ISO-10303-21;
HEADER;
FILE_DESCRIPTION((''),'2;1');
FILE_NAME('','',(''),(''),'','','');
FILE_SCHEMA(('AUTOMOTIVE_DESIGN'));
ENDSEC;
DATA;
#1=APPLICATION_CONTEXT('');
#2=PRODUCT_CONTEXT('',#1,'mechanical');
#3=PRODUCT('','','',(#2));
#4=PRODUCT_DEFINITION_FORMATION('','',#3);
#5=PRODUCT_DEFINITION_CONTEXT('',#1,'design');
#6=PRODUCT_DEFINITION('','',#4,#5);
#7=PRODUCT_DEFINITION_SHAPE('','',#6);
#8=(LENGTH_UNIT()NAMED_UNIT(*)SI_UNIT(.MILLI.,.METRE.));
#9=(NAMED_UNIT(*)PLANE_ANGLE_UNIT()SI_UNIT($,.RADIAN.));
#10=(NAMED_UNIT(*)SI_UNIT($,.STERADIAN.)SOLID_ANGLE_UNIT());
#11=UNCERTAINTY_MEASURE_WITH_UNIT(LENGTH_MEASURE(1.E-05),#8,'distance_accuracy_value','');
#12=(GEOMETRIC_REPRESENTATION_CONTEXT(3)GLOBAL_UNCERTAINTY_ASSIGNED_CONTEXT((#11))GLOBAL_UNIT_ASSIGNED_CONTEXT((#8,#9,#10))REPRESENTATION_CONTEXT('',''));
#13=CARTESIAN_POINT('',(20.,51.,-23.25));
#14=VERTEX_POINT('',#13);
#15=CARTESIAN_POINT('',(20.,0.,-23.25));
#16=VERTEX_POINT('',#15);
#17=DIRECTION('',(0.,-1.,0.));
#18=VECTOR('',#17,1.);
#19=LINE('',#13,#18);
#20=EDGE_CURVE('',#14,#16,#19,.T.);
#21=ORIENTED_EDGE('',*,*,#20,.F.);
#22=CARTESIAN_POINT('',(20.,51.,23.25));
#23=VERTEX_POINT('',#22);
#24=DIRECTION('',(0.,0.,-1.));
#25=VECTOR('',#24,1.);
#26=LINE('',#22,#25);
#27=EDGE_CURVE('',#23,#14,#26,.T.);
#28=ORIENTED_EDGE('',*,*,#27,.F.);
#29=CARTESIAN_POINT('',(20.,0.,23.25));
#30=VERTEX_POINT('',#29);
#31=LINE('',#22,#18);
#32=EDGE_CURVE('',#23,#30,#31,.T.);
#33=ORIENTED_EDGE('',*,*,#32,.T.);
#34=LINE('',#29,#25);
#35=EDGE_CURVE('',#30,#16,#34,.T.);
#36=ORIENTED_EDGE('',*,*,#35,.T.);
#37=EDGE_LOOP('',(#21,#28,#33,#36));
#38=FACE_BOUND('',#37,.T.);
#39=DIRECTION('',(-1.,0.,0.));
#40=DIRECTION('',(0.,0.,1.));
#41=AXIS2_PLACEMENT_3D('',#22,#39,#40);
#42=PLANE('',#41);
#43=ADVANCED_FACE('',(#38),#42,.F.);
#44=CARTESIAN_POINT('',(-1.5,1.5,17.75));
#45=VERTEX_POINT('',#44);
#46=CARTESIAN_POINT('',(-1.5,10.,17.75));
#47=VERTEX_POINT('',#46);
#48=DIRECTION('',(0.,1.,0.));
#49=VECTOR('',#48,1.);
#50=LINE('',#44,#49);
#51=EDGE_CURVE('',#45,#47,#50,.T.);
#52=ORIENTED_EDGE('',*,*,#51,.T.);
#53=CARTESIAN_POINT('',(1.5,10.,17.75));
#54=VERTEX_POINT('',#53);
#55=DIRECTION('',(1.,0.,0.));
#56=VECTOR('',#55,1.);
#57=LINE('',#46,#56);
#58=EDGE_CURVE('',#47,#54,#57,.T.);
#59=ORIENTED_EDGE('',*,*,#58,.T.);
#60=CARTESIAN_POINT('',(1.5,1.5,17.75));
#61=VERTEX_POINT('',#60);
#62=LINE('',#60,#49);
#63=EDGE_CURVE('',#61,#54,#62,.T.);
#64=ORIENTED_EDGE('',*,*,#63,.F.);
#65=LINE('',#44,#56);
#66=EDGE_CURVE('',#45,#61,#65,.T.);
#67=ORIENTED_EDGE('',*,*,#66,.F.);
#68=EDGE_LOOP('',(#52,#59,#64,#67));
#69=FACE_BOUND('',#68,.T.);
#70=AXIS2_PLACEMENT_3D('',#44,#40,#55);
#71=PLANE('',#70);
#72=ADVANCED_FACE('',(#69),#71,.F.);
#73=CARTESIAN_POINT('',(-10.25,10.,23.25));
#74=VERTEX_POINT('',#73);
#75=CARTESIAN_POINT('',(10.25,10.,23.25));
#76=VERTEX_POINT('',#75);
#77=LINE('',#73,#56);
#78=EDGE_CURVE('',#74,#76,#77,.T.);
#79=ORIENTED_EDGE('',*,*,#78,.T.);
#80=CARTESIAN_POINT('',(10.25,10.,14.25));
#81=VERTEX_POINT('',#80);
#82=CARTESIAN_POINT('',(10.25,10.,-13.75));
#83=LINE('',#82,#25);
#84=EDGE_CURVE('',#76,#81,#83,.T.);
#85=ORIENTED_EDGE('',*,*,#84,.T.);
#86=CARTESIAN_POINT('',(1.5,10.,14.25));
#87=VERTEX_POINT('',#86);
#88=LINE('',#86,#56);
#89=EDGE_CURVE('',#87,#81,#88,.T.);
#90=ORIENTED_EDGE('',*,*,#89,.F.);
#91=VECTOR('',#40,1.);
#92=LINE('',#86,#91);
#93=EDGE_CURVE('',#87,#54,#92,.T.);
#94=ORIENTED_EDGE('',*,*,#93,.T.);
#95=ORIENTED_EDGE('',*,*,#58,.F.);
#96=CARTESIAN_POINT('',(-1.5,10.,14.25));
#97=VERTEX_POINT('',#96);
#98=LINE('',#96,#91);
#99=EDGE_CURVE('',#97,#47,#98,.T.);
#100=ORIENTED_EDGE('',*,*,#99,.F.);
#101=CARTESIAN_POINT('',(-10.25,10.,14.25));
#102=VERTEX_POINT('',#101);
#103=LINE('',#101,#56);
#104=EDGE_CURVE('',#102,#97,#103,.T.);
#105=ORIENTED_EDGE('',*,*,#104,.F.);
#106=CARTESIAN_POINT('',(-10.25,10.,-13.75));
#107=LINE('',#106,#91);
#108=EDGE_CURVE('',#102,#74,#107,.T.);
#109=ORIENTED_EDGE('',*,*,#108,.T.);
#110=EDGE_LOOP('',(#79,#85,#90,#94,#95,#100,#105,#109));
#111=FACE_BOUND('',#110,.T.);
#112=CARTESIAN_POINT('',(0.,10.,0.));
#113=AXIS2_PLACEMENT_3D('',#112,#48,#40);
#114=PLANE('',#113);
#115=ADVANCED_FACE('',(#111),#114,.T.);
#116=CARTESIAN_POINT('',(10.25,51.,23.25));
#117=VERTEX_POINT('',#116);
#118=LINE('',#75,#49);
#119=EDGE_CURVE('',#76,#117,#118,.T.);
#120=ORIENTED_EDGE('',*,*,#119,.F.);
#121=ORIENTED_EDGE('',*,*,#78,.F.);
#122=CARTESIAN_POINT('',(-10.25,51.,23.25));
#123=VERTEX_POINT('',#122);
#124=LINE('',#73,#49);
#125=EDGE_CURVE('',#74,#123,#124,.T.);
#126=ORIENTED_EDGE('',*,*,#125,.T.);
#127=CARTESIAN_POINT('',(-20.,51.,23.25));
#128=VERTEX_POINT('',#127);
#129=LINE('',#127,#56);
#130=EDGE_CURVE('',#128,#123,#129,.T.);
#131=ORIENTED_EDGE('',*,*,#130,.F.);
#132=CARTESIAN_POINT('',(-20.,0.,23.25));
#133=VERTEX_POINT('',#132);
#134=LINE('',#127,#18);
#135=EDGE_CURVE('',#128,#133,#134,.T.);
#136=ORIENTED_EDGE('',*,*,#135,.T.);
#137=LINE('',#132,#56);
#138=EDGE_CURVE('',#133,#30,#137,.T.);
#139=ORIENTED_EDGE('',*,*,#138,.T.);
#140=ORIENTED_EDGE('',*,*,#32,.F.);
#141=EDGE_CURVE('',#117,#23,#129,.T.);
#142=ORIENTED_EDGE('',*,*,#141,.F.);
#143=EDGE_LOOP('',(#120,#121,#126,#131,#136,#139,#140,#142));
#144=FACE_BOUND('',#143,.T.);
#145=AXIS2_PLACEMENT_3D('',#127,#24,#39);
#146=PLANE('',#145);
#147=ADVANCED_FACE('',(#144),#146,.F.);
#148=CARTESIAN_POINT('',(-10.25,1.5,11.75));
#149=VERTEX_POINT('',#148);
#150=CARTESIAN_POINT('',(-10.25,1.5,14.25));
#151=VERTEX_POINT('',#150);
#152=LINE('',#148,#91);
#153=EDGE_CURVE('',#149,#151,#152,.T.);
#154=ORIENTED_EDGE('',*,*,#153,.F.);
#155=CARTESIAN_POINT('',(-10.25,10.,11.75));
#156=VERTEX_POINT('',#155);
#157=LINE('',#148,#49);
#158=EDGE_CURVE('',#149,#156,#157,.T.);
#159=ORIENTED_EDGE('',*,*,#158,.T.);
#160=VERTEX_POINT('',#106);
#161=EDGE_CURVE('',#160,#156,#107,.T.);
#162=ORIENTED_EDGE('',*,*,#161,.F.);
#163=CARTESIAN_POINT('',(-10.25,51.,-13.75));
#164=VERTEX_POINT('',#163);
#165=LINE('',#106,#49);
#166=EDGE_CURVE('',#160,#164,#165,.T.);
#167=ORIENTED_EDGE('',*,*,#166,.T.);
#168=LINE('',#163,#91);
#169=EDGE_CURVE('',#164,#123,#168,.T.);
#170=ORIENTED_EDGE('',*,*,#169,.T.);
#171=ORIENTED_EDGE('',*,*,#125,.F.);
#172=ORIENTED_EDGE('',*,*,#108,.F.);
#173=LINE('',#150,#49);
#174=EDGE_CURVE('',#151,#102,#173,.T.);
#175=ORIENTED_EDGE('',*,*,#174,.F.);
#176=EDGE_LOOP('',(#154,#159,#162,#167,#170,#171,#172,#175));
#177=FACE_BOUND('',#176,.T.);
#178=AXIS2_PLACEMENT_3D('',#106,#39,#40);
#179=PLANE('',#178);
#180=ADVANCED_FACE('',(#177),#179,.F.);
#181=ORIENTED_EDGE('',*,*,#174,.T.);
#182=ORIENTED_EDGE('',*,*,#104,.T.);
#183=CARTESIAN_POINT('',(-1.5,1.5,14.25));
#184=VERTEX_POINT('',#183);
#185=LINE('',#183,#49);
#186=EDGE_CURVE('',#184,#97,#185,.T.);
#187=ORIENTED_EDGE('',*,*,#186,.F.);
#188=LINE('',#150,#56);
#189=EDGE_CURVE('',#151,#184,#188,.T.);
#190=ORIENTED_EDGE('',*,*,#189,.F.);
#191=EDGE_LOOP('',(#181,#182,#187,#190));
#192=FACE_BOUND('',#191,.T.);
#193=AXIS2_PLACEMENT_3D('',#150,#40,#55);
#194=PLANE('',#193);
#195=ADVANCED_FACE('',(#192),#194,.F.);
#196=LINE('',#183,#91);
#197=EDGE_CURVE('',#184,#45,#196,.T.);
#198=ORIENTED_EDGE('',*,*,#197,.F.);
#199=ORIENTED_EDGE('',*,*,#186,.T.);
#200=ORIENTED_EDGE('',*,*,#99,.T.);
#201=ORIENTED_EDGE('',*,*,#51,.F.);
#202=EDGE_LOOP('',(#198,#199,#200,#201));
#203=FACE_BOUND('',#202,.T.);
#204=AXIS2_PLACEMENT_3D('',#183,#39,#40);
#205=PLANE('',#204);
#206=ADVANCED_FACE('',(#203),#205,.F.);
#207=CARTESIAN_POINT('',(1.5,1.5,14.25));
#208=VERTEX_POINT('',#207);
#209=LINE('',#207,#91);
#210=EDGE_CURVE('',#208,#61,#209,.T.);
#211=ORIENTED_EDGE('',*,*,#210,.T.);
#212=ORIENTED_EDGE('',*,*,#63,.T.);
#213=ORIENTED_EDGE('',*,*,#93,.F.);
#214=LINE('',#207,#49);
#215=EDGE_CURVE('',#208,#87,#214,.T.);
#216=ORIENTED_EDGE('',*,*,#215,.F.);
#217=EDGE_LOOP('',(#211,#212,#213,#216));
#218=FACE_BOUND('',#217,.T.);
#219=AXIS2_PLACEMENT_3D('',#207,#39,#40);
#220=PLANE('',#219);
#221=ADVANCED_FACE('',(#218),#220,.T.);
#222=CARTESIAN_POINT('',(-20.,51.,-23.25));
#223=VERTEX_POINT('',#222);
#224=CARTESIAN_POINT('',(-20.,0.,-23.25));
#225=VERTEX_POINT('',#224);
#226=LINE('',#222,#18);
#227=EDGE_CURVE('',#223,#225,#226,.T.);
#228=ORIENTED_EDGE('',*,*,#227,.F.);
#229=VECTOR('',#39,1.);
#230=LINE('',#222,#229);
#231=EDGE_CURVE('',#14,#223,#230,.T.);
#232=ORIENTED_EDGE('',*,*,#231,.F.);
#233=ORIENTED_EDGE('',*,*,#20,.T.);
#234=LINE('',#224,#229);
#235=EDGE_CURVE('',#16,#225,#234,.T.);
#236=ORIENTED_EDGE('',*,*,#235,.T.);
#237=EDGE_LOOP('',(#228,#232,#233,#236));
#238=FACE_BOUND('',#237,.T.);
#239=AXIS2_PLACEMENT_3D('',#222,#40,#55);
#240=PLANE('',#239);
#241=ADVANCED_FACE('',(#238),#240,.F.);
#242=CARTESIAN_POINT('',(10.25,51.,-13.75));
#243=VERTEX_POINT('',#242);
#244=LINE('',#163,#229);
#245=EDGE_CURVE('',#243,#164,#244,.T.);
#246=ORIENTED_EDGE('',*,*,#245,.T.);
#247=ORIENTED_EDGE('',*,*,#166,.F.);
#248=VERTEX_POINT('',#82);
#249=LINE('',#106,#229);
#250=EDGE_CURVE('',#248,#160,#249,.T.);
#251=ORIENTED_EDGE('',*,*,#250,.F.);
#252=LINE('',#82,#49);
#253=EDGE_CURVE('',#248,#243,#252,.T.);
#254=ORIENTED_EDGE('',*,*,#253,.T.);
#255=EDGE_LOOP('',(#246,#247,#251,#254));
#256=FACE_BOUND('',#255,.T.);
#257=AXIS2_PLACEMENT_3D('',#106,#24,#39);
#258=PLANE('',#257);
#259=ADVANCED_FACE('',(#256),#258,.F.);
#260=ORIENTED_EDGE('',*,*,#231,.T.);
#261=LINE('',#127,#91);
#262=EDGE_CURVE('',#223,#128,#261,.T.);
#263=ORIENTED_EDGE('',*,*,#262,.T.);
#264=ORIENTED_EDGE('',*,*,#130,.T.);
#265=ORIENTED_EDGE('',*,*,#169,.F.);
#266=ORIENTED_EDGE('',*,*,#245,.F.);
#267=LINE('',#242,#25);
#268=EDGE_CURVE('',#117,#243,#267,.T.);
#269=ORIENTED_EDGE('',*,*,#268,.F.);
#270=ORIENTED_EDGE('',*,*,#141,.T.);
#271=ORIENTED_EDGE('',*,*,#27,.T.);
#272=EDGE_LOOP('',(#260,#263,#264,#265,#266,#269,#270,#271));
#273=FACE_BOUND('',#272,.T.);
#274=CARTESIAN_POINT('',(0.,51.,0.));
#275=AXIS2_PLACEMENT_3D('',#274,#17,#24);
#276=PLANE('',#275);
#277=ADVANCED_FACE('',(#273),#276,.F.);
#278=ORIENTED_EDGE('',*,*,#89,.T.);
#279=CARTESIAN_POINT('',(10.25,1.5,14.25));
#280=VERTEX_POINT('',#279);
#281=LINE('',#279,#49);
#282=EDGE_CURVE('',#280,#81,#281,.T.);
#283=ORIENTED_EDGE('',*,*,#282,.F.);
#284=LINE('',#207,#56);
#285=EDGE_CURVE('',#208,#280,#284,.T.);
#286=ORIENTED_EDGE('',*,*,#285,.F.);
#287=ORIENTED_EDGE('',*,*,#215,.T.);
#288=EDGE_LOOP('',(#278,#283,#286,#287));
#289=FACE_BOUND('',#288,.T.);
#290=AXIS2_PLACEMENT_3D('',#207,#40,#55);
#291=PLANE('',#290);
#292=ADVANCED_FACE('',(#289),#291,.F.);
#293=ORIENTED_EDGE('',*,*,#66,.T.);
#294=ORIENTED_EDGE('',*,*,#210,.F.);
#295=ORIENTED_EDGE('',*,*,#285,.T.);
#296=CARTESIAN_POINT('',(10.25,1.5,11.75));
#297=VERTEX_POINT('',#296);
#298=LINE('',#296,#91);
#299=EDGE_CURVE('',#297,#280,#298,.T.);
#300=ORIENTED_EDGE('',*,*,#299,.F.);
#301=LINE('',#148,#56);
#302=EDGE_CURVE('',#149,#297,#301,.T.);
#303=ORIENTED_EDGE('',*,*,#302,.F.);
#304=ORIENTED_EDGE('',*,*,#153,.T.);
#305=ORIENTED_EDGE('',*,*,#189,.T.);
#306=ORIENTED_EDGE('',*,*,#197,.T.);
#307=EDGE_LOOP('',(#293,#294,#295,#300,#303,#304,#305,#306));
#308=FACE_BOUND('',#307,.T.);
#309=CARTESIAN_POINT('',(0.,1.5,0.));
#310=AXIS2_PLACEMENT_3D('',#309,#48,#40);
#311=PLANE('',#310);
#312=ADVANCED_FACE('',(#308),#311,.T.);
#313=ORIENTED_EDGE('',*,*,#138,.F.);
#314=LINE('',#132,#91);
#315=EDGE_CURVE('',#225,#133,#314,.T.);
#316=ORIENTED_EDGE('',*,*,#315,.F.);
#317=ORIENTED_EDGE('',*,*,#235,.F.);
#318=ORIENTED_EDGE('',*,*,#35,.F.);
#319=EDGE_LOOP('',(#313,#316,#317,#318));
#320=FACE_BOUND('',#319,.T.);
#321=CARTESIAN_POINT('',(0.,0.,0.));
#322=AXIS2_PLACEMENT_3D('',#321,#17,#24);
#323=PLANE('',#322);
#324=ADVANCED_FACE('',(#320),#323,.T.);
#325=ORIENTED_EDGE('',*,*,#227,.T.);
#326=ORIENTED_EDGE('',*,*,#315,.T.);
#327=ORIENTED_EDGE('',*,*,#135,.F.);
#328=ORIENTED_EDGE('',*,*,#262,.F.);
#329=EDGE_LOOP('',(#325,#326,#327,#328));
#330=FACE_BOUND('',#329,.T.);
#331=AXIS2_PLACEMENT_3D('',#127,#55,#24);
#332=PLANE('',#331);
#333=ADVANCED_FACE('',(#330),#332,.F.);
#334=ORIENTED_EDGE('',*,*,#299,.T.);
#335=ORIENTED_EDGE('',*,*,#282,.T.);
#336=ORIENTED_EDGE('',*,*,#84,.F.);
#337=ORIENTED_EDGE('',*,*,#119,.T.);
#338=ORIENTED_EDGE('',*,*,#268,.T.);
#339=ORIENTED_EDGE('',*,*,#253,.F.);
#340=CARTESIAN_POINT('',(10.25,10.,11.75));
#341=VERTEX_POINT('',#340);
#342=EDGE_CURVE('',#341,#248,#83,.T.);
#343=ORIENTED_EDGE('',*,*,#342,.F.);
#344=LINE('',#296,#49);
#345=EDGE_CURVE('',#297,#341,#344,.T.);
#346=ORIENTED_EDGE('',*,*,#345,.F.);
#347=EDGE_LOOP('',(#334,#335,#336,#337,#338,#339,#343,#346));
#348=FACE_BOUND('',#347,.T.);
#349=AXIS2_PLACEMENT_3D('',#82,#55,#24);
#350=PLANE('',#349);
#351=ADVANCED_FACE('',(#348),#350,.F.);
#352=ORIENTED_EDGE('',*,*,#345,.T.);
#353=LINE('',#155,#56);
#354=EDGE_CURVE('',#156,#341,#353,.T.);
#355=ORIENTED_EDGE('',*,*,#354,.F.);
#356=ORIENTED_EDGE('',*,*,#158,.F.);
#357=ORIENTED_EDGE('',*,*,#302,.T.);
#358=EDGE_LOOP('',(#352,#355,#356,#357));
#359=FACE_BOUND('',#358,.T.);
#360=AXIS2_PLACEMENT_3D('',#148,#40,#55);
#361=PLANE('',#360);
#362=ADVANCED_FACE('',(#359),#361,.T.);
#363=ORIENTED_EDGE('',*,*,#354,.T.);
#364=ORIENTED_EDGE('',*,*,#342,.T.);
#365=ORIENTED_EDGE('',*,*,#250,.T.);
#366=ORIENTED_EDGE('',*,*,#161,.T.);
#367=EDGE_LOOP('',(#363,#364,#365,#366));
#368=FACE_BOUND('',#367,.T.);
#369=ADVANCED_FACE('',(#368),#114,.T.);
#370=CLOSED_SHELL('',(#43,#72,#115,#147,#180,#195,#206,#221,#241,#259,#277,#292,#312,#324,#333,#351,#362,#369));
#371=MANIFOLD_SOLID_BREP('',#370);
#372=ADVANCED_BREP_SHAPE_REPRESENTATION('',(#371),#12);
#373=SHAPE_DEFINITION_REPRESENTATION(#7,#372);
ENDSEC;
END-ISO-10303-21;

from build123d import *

# Parameters (mm, degrees)
SKETCH1_W           = 40
SKETCH1_H           = 46.5
BOSS_EXTRUDE1_DEPTH = 51
SKETCH2_W           = 20.5
SKETCH2_H           = 37
CUT_EXTRUDE1_DEPTH  = 41
CUT_EXTRUDE2_DEPTH  = 8.5


with BuildPart() as part:
    # Sketch1 → Boss-Extrude1 (new body)
    with BuildSketch(Plane(origin=(0, 0, 0), x_dir=(1, 0, 0), z_dir=(0, 1, 0))):
        Rectangle(SKETCH1_W, SKETCH1_H)
    extrude(amount=BOSS_EXTRUDE1_DEPTH)

    # Sketch2 → Cut-Extrude1 (cut)
    with BuildSketch(Plane(origin=(0, 51, 0), x_dir=(1, 0, 0), z_dir=(0, 1, 0))):
        with Locations((0, -4.75)):
            Rectangle(SKETCH2_W, SKETCH2_H)
    extrude(amount=-CUT_EXTRUDE1_DEPTH, mode=Mode.SUBTRACT)

    # Sketch3 → Cut-Extrude2 (cut)
    with BuildSketch(Plane(origin=(0, 10, 0), x_dir=(1, 0, 0), z_dir=(0, 1, 0))):
        Polygon((-10.25, -11.75), (10.25, -11.75), (10.25, -14.25), (1.5, -14.25), (1.5, -17.75), (-1.5, -17.75), (-1.5, -14.25), (-10.25, -14.25), align=None)
    extrude(amount=-CUT_EXTRUDE2_DEPTH, mode=Mode.SUBTRACT)


solid = part.part
